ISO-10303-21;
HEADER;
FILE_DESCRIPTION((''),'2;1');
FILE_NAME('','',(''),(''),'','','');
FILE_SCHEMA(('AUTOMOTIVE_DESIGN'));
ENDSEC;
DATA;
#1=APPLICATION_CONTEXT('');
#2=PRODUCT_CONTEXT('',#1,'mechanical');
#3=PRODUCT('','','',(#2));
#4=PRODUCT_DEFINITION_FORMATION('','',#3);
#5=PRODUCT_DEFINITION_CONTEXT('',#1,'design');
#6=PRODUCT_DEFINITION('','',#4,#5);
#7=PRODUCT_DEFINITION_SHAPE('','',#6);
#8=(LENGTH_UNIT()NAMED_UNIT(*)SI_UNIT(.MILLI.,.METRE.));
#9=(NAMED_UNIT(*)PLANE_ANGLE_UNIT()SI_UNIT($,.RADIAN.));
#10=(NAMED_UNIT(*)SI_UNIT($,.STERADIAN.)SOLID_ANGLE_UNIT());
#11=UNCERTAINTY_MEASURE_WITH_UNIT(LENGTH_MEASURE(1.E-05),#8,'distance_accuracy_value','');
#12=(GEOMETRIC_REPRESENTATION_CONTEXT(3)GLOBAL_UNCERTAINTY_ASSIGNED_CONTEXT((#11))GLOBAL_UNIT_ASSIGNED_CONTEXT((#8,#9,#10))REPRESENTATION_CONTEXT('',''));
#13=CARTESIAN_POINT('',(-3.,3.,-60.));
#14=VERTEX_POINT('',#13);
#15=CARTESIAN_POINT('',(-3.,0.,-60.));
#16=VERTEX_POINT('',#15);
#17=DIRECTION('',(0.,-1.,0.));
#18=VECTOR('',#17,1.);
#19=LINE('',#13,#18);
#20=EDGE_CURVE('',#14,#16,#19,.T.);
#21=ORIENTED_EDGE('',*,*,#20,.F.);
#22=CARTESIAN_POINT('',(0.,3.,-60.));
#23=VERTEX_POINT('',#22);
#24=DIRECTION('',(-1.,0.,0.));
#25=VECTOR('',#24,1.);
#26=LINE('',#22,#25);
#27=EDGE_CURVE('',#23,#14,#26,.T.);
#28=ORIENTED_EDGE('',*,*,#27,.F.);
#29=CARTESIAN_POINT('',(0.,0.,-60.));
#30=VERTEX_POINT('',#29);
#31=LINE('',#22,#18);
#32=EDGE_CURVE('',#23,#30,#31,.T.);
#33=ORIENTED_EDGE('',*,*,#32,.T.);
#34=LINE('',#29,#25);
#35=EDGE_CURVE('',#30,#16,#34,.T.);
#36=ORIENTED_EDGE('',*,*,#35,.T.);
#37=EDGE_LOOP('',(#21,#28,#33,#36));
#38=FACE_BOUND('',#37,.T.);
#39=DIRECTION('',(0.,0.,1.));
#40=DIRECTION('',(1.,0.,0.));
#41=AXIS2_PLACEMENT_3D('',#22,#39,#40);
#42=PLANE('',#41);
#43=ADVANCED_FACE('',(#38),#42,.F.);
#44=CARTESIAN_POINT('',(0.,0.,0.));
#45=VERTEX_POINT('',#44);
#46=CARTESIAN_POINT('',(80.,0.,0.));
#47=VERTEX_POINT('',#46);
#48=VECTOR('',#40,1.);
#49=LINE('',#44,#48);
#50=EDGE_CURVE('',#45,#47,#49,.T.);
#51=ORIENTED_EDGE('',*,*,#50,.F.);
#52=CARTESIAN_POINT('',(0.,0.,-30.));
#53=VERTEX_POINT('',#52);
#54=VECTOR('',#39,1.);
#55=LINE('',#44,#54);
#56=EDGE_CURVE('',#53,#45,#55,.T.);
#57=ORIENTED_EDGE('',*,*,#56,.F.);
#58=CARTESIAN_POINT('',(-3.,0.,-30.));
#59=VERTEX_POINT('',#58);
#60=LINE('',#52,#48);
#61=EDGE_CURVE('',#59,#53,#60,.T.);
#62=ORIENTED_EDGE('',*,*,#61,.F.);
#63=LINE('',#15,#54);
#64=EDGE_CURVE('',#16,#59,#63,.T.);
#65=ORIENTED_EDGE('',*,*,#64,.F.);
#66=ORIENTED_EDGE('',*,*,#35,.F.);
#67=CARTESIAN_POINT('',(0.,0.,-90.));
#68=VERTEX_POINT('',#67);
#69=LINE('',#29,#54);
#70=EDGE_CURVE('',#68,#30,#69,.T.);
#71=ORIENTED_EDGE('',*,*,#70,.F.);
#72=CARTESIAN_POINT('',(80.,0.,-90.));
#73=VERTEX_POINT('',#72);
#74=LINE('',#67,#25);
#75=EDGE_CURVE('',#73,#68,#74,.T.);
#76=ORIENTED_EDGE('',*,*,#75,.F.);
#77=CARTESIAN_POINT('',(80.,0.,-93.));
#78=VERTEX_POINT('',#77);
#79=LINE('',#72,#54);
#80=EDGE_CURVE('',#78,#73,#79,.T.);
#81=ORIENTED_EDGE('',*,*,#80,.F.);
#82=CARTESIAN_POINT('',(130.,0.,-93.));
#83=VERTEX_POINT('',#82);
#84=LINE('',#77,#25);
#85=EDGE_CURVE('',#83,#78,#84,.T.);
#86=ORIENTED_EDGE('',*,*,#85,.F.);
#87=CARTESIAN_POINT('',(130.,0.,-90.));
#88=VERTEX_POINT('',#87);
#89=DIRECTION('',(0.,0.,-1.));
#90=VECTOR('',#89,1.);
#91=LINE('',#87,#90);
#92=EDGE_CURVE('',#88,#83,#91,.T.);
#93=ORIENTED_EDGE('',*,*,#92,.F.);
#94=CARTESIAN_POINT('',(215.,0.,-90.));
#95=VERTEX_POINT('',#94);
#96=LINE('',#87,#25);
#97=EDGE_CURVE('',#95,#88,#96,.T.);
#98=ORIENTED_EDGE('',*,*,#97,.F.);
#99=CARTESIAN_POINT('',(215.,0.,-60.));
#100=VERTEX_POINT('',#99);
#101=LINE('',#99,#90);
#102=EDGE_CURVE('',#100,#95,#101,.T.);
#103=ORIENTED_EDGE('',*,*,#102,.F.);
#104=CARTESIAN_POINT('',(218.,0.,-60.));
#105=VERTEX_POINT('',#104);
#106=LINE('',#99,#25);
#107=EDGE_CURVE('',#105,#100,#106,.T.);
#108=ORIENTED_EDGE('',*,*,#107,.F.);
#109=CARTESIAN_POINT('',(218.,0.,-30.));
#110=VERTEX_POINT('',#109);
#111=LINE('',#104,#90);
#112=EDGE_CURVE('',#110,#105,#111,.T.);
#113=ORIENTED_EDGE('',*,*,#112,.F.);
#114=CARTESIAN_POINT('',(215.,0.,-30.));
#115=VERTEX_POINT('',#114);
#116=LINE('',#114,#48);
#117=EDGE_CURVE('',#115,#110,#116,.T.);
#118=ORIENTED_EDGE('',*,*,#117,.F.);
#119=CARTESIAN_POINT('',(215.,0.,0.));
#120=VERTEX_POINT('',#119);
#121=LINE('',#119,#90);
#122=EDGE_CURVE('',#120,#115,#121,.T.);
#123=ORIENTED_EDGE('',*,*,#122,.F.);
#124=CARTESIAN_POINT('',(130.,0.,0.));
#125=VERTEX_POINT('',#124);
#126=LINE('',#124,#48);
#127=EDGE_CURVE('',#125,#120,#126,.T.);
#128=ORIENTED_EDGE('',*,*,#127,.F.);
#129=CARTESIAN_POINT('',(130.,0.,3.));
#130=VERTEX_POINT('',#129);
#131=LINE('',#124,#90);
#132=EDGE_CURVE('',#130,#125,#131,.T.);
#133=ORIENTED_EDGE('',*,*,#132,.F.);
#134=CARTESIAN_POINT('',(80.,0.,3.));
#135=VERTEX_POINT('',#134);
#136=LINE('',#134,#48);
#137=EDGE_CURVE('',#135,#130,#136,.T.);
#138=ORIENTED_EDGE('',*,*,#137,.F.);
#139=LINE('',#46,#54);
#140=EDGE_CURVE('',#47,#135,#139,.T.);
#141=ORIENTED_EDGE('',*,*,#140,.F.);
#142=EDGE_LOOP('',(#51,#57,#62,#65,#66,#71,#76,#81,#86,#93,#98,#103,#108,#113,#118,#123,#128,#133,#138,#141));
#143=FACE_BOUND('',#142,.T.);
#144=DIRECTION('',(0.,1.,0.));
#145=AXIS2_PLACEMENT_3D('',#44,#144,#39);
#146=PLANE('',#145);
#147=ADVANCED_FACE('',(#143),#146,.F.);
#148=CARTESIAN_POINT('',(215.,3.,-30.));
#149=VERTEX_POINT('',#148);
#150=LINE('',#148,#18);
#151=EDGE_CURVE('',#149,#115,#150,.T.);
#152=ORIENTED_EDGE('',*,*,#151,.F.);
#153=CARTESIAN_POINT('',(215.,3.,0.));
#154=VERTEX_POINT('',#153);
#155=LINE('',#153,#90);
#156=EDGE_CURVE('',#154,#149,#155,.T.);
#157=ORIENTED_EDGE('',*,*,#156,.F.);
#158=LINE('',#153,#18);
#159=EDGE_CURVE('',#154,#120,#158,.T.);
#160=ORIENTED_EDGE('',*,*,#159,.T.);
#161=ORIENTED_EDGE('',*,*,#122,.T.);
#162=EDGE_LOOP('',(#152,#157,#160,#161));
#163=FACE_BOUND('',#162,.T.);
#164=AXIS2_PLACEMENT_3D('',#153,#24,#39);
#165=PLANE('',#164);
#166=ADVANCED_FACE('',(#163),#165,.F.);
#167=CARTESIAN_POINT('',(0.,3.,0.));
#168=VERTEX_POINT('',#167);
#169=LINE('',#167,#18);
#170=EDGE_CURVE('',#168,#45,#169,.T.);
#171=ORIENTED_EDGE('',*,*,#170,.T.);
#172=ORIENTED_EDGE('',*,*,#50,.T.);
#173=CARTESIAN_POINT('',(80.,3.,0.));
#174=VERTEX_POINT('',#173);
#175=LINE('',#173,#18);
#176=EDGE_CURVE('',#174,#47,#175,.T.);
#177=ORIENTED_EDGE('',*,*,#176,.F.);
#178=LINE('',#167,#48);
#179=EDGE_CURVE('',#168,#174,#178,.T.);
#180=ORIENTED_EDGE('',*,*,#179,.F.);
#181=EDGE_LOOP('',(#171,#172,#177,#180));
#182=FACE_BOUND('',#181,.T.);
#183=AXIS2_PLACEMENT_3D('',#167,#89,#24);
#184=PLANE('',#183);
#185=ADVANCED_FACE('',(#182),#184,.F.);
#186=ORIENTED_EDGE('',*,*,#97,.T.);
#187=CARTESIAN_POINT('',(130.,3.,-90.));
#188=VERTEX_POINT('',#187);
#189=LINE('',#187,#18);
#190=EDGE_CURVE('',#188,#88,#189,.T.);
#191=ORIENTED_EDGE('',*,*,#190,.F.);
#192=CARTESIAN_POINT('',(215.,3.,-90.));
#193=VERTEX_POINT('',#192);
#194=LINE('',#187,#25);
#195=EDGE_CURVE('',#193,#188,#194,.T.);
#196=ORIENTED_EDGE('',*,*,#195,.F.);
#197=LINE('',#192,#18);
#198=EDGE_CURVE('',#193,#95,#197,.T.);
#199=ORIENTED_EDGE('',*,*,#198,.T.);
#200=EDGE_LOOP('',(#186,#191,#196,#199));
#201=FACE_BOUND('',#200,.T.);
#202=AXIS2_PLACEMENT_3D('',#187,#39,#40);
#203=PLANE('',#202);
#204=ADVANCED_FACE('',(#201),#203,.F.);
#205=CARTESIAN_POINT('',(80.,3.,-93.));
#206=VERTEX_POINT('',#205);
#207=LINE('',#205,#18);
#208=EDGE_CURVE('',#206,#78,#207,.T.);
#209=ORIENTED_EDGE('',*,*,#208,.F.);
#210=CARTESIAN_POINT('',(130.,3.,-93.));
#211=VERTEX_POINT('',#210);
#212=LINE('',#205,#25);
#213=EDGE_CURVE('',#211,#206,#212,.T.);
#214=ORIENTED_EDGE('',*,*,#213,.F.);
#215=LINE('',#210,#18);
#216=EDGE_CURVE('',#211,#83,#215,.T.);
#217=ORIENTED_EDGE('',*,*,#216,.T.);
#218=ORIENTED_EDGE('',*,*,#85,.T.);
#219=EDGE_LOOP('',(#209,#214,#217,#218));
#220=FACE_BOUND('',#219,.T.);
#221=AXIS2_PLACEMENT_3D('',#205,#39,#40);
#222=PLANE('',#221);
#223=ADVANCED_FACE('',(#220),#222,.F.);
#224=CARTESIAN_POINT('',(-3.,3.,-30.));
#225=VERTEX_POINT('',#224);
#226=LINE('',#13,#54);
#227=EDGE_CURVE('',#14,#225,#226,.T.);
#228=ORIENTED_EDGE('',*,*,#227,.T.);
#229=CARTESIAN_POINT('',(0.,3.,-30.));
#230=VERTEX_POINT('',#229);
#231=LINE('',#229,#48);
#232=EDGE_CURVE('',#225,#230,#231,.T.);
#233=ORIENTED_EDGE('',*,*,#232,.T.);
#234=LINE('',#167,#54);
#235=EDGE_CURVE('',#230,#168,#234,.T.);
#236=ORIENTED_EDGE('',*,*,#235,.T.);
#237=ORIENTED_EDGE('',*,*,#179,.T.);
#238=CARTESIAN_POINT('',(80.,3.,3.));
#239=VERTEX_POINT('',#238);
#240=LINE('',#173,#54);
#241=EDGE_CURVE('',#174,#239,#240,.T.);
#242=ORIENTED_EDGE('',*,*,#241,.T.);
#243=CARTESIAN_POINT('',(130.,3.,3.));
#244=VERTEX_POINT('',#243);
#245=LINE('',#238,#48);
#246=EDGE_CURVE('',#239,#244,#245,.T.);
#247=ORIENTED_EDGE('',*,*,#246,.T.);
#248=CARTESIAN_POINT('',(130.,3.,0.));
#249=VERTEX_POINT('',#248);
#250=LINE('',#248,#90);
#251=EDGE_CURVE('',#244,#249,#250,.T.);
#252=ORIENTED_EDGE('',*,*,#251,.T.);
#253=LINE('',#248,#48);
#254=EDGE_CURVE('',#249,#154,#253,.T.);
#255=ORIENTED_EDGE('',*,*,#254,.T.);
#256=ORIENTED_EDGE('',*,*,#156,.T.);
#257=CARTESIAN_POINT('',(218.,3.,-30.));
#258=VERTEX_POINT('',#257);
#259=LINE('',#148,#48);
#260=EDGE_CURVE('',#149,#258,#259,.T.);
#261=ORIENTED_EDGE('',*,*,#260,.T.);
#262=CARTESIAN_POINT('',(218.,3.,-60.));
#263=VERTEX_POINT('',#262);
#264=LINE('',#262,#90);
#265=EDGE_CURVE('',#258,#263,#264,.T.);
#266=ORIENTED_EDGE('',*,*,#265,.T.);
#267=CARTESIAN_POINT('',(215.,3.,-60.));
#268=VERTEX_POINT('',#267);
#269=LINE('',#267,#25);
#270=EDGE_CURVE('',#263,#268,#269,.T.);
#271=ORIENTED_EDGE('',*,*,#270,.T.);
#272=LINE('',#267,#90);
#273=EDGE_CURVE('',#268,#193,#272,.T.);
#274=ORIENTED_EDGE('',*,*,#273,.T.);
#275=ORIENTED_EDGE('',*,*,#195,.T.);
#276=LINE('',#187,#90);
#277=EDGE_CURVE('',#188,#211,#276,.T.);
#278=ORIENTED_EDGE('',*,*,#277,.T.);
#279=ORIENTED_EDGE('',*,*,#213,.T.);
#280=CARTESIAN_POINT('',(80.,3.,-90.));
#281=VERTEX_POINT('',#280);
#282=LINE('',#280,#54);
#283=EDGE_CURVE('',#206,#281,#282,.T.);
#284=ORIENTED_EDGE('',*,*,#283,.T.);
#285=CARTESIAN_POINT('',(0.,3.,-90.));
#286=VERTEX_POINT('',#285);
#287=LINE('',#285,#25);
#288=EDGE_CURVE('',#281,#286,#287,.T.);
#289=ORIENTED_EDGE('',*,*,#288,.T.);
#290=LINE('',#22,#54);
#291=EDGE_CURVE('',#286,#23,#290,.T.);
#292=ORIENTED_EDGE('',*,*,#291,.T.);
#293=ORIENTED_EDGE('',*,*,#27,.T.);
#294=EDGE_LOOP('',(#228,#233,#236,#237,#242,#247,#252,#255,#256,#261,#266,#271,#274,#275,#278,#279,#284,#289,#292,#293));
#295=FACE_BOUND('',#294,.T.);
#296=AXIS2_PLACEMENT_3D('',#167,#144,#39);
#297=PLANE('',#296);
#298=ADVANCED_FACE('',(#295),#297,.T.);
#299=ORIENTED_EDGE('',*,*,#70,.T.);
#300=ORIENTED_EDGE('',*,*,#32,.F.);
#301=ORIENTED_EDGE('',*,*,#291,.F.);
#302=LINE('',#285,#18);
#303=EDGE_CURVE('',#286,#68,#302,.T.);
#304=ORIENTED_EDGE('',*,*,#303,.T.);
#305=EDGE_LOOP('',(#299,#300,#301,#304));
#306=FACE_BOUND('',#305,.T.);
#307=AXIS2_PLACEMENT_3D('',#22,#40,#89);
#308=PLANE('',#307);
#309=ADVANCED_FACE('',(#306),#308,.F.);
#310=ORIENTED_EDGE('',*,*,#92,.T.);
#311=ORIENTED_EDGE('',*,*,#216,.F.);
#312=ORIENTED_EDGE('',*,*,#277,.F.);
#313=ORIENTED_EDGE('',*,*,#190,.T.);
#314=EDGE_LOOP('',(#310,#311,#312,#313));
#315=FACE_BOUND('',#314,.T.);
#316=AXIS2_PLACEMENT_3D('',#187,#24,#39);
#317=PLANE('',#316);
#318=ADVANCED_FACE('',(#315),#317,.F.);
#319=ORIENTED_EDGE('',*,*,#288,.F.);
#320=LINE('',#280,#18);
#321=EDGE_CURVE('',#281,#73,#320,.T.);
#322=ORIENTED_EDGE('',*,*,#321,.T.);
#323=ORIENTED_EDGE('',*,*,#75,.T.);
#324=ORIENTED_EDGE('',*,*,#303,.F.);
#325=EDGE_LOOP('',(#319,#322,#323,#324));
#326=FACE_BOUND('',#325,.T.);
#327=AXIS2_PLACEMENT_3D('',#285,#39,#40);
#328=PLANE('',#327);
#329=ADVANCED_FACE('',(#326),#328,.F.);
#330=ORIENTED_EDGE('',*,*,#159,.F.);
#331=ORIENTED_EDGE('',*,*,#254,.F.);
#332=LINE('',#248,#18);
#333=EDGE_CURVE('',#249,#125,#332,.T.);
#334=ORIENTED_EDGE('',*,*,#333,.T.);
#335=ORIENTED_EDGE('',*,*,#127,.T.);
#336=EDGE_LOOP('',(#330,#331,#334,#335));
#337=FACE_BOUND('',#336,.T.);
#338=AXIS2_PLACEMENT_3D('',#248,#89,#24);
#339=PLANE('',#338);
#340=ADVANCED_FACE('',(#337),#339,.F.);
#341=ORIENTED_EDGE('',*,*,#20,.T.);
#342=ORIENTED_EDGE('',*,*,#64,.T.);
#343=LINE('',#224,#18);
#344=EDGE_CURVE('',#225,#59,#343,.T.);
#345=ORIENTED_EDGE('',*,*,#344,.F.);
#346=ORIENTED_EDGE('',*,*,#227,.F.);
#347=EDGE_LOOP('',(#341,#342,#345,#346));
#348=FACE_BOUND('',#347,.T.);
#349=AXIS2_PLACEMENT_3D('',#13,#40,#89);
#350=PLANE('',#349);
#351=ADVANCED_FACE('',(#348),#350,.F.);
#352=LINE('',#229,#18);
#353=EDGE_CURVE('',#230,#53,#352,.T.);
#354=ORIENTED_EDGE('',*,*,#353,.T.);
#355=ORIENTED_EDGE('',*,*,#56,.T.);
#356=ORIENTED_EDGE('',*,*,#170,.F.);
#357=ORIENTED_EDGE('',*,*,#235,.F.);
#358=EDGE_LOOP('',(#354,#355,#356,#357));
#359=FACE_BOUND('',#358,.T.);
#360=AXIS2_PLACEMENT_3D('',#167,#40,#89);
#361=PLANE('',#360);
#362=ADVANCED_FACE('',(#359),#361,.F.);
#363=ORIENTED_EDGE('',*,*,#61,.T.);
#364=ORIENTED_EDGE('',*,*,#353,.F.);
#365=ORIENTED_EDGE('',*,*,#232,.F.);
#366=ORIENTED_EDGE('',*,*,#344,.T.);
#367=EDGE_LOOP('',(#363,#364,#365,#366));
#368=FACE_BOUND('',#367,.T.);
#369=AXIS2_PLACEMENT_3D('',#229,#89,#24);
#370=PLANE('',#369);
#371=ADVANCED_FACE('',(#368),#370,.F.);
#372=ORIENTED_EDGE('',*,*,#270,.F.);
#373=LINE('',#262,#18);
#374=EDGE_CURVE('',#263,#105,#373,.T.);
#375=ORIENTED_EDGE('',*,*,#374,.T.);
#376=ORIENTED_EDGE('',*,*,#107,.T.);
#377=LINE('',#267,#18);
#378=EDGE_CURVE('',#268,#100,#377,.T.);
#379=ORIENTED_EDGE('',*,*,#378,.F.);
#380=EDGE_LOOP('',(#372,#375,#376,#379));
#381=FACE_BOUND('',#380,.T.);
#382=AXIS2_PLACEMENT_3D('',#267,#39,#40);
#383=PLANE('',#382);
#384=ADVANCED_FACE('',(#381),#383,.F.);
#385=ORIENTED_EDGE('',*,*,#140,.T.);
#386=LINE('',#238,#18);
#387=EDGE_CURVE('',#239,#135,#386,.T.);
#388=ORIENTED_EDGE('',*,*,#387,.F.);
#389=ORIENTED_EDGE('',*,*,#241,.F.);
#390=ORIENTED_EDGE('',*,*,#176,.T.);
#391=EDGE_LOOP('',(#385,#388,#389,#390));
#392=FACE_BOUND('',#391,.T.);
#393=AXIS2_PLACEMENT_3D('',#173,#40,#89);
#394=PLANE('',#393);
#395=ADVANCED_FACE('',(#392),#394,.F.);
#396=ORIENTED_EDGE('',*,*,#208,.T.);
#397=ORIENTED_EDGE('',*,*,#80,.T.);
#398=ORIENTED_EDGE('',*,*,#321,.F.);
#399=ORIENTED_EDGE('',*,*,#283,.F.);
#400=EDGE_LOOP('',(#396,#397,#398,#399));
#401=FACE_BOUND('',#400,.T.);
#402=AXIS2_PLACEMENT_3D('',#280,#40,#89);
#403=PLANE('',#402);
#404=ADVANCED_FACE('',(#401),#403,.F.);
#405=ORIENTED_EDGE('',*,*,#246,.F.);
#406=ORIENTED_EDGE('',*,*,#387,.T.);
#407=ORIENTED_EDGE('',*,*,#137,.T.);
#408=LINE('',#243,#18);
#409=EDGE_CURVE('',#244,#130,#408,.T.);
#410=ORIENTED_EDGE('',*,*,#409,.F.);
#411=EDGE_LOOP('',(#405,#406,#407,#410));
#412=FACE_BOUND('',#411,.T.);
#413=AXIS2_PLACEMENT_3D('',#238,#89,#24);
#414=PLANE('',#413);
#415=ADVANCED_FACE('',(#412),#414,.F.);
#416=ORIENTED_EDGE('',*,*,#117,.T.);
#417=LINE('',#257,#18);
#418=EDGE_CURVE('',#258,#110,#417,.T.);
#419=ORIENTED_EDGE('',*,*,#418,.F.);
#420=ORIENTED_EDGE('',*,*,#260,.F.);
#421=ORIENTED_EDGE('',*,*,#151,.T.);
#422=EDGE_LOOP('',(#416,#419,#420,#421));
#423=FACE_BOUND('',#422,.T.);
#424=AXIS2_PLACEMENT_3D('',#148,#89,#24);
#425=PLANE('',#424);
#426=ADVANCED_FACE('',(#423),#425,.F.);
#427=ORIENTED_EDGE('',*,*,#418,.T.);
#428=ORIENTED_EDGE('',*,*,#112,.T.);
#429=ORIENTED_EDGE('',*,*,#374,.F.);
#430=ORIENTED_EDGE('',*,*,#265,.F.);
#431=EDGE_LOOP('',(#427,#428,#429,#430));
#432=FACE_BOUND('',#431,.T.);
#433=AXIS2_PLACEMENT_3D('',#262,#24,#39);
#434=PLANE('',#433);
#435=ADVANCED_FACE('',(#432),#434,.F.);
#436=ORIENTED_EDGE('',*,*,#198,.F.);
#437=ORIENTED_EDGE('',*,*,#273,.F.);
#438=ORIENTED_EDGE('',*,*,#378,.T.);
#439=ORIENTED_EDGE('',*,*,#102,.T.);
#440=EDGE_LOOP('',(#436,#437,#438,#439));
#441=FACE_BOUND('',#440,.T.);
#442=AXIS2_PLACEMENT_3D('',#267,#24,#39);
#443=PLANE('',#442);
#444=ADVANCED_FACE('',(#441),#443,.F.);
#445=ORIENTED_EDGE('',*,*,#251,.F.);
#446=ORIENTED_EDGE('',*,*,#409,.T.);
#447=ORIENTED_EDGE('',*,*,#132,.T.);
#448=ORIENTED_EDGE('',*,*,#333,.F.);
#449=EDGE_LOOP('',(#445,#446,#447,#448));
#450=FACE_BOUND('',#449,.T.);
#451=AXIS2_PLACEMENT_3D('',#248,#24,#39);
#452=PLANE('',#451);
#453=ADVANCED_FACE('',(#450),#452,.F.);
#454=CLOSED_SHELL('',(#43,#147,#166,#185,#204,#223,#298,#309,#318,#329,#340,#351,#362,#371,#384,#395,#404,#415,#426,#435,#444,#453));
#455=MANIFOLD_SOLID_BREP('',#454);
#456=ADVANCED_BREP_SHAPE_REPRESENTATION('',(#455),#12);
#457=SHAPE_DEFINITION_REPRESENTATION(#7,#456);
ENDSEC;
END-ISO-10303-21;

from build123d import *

# Parameters (mm, degrees)
BOSS_EXTRUDE1_DEPTH = 3


with BuildPart() as part:
    # Sketch1 → Boss-Extrude1 (new body)
    with BuildSketch(Plane(origin=(0, 0, 0), x_dir=(1, 0, 0), z_dir=(0, 1, 0))):
        Polygon((130, 90), (215, 90), (215, 60), (218, 60), (218, 30), (215, 30), (215, 0), (130, 0), (130, -3), (80, -3), (80, 0), (0, 0), (0, 30), (-3, 30), (-3, 60), (0, 60), (0, 90), (80, 90), (80, 93), (130, 93), align=None)
    extrude(amount=BOSS_EXTRUDE1_DEPTH)


solid = part.part
